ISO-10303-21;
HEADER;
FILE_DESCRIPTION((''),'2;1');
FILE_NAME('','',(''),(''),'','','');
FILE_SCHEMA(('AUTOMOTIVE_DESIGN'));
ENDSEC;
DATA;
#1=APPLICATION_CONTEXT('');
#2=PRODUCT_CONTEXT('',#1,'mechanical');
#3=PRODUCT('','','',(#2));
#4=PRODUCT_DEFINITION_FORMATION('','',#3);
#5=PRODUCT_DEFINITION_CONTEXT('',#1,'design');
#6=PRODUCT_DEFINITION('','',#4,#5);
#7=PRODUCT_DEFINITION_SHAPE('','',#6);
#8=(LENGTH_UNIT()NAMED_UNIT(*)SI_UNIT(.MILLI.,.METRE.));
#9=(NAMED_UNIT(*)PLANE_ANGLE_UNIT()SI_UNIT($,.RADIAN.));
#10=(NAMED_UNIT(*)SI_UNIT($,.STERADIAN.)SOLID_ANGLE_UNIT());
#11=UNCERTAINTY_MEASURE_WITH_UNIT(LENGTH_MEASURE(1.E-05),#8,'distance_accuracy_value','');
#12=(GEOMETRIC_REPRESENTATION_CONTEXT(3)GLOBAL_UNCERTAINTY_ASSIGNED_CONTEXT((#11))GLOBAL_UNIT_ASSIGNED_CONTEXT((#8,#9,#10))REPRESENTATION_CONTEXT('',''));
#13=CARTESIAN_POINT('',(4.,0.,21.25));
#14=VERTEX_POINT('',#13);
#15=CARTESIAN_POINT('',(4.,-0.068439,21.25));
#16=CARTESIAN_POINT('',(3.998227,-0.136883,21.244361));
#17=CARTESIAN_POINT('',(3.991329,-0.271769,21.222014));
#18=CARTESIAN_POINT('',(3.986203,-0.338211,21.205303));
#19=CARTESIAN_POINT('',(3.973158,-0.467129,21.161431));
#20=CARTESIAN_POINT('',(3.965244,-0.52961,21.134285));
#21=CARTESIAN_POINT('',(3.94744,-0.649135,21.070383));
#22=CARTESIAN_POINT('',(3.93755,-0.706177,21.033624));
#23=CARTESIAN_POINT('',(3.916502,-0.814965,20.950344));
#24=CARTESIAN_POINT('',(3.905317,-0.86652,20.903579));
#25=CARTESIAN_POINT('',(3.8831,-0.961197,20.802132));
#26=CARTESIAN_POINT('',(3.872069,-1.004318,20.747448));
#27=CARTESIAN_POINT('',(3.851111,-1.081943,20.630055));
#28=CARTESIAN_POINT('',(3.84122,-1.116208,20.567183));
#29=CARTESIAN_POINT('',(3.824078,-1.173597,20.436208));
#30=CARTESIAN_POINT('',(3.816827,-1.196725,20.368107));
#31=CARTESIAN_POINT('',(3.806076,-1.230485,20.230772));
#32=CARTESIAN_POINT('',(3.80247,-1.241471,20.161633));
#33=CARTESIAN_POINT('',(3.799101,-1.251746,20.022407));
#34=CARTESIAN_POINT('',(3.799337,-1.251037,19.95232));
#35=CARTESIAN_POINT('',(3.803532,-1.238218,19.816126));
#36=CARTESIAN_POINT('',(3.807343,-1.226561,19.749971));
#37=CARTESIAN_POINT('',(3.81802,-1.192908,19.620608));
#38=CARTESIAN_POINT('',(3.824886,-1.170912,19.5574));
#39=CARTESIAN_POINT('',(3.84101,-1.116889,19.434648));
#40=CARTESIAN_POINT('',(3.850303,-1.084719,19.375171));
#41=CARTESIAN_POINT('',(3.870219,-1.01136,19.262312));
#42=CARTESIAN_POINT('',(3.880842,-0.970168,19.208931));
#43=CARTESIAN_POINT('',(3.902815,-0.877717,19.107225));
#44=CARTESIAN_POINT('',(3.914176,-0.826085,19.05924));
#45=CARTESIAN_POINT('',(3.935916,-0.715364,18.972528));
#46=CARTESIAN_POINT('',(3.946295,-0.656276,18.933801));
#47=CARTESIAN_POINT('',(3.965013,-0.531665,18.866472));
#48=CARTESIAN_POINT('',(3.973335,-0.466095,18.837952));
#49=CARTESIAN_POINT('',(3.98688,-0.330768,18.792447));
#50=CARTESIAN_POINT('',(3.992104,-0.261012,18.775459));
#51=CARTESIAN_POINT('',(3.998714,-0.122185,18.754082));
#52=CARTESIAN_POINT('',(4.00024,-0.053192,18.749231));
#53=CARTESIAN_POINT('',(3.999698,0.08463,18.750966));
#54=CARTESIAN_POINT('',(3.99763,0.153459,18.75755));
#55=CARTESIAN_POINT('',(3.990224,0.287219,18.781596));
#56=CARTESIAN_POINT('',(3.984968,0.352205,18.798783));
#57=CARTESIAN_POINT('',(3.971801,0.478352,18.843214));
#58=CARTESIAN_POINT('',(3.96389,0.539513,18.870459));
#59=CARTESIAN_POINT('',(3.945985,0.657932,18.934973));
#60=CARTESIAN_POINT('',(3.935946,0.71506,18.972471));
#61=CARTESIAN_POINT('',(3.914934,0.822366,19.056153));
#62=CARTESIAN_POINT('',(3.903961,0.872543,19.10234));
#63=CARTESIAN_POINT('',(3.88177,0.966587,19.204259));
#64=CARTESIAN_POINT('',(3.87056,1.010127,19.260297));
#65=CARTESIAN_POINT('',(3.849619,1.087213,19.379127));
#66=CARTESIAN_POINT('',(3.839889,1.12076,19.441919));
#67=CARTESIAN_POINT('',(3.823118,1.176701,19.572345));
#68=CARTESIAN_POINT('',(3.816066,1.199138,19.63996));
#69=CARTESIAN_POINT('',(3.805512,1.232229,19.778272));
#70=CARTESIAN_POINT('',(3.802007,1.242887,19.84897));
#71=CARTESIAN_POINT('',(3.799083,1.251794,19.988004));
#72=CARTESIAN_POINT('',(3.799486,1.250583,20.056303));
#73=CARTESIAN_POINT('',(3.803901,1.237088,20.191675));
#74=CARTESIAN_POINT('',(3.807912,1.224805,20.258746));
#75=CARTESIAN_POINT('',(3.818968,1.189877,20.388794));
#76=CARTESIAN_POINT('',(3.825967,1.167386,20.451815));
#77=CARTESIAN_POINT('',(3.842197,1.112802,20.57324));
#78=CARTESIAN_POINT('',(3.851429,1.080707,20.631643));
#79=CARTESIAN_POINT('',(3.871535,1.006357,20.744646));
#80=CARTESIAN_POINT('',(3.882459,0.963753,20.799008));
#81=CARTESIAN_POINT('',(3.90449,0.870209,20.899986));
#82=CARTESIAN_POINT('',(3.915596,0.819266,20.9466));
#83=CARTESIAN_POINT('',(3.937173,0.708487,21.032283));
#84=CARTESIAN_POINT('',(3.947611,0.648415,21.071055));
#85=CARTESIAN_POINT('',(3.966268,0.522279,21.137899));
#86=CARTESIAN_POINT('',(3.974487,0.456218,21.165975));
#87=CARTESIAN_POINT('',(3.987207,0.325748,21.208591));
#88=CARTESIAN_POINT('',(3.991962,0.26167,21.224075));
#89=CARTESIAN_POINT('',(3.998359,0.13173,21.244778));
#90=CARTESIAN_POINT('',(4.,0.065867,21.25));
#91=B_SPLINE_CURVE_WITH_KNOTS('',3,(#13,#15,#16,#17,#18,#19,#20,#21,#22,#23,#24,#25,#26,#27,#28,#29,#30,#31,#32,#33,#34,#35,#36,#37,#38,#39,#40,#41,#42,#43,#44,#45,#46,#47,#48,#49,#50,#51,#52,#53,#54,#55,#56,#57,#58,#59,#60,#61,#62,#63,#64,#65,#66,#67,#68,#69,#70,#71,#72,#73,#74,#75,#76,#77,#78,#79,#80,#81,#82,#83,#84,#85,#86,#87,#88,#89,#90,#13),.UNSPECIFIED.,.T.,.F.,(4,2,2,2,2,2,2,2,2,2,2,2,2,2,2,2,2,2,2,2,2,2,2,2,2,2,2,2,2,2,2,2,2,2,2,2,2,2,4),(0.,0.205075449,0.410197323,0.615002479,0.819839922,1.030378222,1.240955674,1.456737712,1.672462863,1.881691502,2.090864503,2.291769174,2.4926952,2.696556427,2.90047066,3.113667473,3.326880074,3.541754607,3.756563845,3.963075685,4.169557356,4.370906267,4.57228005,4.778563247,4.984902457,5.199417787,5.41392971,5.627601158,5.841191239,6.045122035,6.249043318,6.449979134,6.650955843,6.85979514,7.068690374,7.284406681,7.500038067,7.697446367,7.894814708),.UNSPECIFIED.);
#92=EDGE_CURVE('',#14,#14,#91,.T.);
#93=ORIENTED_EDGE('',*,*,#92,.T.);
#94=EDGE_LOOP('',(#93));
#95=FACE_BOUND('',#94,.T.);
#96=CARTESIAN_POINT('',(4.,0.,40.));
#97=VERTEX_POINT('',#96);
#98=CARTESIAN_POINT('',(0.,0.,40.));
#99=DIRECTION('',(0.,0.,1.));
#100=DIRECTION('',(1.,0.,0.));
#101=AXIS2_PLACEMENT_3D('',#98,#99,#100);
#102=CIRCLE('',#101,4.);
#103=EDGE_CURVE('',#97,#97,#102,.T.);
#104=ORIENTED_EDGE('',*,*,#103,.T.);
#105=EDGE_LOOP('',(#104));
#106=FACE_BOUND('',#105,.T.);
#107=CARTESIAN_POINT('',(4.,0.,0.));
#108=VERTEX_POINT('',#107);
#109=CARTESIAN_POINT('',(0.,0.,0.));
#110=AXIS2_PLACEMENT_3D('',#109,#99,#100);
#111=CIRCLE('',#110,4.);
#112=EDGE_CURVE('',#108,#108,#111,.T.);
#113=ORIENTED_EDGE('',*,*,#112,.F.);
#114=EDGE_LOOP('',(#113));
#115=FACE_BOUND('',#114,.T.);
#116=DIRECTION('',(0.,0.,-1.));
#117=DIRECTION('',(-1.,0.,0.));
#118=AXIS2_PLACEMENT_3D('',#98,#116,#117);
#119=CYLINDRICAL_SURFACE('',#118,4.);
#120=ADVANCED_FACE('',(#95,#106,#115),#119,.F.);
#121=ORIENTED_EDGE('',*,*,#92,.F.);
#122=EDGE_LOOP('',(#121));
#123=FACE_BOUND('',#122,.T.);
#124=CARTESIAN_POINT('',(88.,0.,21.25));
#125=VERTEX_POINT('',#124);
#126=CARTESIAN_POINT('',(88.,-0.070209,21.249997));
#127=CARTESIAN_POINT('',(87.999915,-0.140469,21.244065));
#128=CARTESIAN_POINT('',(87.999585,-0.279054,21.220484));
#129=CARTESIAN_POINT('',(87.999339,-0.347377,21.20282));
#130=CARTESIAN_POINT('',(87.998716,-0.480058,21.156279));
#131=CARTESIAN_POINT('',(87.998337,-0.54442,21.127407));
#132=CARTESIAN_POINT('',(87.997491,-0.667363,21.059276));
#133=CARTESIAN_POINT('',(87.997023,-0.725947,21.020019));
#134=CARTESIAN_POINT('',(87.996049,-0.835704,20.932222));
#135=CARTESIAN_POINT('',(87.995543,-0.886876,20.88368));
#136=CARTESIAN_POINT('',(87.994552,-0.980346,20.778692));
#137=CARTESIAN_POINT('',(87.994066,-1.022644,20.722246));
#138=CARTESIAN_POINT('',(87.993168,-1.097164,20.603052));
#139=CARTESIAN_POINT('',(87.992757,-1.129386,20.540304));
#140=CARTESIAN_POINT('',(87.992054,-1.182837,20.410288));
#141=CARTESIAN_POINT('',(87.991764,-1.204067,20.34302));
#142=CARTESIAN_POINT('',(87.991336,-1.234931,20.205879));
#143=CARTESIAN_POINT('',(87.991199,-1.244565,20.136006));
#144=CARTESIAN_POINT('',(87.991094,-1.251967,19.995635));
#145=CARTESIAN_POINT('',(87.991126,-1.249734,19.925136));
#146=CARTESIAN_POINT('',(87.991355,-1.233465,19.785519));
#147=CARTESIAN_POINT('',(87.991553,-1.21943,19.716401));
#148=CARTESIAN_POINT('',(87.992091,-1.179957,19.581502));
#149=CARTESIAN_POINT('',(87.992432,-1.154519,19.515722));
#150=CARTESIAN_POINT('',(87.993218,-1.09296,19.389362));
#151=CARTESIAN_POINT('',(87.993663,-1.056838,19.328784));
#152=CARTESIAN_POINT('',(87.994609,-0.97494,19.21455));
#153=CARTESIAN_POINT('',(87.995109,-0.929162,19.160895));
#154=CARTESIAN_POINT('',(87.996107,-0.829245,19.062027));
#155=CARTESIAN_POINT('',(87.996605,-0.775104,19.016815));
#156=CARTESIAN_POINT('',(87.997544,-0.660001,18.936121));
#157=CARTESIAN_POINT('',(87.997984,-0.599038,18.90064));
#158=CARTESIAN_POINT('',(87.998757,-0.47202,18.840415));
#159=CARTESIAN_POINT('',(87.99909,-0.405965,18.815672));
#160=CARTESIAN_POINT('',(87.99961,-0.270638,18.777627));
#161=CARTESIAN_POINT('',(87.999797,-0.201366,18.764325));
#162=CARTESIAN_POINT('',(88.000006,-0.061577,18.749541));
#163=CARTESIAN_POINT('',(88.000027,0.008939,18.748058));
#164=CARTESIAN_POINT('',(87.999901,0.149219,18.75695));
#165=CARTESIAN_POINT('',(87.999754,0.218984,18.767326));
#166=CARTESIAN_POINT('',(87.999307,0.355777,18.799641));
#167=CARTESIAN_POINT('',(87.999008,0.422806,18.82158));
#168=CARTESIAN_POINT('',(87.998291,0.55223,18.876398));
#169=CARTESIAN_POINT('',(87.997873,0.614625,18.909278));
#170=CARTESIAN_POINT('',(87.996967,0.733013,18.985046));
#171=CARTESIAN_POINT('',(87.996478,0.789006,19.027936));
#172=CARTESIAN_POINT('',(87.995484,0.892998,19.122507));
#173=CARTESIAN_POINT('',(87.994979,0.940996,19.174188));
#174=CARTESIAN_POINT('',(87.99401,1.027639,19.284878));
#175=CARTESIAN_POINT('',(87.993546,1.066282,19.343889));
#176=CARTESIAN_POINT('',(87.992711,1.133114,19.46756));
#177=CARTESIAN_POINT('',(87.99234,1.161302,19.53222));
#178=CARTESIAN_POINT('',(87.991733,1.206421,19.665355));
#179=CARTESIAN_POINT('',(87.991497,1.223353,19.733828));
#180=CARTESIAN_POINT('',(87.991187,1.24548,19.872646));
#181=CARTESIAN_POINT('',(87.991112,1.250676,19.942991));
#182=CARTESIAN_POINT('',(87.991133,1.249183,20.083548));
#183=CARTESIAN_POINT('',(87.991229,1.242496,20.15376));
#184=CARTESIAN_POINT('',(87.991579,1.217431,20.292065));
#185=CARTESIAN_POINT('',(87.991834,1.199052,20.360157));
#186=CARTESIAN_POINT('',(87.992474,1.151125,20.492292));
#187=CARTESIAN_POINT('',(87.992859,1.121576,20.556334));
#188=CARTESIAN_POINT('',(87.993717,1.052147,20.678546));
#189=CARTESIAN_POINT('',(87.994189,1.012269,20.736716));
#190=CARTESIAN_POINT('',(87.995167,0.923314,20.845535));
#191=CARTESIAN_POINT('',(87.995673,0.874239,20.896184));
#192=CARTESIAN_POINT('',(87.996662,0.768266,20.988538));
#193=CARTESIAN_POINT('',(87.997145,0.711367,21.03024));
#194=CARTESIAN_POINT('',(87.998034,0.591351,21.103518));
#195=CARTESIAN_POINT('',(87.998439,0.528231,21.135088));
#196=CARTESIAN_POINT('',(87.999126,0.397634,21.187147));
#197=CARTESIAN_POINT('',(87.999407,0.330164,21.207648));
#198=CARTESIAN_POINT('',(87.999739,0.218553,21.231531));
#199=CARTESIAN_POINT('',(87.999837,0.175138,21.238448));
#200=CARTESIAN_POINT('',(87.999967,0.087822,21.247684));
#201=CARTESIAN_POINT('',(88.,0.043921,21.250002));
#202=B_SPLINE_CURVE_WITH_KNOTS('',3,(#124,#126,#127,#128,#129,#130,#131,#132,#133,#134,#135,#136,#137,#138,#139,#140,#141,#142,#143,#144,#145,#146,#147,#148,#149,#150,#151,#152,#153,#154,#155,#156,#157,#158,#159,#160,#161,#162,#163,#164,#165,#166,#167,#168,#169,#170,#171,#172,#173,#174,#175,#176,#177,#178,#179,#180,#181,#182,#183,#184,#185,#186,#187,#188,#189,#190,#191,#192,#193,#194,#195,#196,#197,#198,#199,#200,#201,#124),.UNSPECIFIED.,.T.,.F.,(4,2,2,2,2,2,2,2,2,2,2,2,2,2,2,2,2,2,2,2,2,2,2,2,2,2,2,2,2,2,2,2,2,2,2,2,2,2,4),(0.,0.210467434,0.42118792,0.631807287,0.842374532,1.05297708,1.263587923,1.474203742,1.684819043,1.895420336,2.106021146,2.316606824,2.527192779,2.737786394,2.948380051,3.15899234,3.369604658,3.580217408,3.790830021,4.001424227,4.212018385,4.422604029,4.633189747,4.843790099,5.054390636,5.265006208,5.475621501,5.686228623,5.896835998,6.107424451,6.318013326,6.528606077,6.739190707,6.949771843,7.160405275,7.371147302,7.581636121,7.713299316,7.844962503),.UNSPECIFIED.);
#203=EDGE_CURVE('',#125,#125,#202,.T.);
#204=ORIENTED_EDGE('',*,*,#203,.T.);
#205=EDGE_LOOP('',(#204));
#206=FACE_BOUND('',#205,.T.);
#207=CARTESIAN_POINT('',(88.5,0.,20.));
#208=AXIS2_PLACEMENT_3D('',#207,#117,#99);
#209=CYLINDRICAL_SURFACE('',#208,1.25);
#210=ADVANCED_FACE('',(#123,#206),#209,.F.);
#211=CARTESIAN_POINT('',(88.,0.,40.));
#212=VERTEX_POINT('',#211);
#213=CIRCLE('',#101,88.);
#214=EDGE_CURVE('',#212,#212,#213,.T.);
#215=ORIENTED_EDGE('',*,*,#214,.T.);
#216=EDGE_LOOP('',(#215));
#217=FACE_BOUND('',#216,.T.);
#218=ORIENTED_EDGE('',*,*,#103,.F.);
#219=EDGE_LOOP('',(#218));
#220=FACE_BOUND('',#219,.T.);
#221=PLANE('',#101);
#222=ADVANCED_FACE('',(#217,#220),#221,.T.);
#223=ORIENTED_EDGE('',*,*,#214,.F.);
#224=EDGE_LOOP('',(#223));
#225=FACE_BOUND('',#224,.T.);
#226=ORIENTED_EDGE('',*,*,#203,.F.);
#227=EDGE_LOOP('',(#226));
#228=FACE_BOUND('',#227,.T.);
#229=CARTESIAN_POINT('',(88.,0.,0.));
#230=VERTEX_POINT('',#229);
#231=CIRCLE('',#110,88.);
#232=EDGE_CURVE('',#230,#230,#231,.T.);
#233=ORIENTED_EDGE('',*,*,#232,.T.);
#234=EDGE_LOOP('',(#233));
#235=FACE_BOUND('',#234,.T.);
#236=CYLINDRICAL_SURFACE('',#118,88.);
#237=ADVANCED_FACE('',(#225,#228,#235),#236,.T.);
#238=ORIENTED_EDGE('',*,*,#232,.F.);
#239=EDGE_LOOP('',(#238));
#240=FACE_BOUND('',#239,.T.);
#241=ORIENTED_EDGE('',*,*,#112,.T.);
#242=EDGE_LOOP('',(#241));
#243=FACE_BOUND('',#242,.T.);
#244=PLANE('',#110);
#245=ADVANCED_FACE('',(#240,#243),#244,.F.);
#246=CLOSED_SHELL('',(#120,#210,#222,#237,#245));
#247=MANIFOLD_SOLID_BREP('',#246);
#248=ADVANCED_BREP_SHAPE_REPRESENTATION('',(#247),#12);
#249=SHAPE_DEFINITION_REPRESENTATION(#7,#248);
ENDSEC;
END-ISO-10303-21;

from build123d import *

# Parameters (mm, degrees)
SKETCH1_R         = 88
HUB_DEPTH         = 40
SKETCH2_R         = 4
BORE_DEPTH        = 40
SKETCH3_R         = 1.25
CLAMP_SCREW_DEPTH = 85


with BuildPart() as part:
    # Sketch1 → Hub (new body)
    with BuildSketch(Plane.XY):
        Circle(SKETCH1_R)
    extrude(amount=HUB_DEPTH)

    # Sketch2 → Bore (cut)
    with BuildSketch(Plane.XY):
        Circle(SKETCH2_R)
    extrude(amount=BORE_DEPTH, mode=Mode.SUBTRACT)

    # Sketch3 → Clamp_screw (cut)
    with BuildSketch(Plane(origin=(3.5, 0, 0), x_dir=(0, 0, -1), z_dir=(1, 0, 0))):
        with Locations(Location((-20, 0, 0), (0, 0, 180))):
            Circle(SKETCH3_R)
    extrude(amount=CLAMP_SCREW_DEPTH, mode=Mode.SUBTRACT)


solid = part.part
